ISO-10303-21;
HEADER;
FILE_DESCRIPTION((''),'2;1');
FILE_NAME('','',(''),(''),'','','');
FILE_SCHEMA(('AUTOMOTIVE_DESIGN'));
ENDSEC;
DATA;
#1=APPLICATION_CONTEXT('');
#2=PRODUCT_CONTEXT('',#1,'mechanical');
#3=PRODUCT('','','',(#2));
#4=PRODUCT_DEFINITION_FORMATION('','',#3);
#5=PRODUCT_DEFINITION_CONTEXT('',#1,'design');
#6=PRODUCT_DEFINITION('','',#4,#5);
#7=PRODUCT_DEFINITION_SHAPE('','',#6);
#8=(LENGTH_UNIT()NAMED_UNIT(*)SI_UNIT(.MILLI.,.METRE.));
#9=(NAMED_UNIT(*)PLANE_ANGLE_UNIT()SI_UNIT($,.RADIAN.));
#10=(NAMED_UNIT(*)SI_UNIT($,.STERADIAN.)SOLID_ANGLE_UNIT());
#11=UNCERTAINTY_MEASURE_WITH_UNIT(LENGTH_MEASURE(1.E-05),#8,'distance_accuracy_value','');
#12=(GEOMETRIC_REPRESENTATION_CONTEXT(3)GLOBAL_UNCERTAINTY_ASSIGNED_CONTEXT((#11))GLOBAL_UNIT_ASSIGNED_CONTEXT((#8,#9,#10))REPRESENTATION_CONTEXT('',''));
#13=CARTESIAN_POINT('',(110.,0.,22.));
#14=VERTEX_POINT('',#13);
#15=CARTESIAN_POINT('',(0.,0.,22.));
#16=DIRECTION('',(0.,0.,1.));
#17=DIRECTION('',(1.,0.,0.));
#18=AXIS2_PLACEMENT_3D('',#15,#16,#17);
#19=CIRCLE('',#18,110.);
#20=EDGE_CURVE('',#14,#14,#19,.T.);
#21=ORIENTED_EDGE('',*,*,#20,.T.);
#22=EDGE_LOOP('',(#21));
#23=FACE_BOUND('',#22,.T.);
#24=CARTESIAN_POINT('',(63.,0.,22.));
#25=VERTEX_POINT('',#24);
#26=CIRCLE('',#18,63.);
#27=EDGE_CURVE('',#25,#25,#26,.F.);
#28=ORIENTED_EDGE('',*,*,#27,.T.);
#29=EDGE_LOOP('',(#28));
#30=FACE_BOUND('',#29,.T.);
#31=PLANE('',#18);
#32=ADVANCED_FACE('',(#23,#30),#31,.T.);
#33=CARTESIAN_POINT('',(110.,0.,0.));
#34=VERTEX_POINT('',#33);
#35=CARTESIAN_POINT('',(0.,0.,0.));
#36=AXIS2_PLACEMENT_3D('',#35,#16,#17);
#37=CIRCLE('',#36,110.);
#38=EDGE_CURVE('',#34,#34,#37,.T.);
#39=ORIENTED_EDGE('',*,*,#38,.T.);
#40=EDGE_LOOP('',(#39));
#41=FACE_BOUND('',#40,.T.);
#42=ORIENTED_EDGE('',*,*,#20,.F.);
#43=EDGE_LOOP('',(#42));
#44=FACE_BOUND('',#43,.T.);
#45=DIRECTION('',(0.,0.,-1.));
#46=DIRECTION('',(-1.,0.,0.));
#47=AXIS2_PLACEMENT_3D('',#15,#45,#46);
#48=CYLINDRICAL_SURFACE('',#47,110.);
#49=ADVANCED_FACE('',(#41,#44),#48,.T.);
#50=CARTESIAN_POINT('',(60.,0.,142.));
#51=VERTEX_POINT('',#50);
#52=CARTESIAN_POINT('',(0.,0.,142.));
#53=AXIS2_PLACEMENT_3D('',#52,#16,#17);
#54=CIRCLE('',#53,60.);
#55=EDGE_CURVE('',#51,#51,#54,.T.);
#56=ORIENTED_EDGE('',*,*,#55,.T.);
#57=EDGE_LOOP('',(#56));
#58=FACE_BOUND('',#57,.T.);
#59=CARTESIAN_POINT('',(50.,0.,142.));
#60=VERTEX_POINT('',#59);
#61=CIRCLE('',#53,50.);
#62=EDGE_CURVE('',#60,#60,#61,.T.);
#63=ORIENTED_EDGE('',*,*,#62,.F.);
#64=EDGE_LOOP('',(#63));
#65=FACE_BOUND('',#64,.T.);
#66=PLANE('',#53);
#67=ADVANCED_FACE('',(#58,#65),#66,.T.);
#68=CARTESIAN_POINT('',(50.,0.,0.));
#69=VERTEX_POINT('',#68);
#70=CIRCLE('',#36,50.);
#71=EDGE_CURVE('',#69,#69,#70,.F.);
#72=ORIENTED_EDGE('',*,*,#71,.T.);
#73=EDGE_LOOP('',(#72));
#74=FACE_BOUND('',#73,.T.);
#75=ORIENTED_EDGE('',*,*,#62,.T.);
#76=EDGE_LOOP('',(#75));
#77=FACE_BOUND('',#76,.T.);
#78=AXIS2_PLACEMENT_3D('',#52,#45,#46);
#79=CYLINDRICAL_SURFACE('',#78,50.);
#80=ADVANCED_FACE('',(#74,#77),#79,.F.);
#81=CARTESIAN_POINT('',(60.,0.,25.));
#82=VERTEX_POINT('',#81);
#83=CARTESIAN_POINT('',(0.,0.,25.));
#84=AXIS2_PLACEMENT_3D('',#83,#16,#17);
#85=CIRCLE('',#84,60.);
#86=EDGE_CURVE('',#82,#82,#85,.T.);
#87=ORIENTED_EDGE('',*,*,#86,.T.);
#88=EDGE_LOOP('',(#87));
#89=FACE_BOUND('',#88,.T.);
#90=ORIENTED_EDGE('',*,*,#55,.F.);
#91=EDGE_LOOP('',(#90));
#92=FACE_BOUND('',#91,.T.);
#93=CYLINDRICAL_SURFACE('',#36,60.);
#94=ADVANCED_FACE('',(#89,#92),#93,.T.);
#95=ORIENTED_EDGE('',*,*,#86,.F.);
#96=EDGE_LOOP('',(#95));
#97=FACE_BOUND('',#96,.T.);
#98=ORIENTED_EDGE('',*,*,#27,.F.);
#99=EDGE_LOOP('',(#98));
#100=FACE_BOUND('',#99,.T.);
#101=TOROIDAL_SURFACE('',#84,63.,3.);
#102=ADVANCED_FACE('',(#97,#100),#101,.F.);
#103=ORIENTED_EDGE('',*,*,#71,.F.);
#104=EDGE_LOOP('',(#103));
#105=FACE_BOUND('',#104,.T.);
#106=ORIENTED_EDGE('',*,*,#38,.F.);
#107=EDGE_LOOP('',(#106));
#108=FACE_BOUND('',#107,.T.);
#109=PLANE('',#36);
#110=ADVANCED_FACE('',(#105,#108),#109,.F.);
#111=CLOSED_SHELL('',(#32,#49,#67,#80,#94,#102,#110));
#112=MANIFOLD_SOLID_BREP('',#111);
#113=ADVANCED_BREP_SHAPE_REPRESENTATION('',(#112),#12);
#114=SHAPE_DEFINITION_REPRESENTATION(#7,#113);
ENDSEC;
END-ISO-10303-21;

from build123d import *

# Parameters (mm, degrees)
SKETCH1_R                = 110
BOSS_EXTRUDE1_DEPTH      = 22
BOSS_EXTRUDE2_DEPTH      = 120
BOSS_EXTRUDE2_DEPTH_BACK = 22
SKETCH2_R                = 60
CUT_EXTRUDE3_DEPTH       = 211.627633515
CUT_EXTRUDE3_DEPTH_BACK  = 120
SKETCH3_R                = 50
FILLET1_R                = 3


with BuildPart() as part:
    # Sketch1 → Boss-Extrude1 (new body)
    with BuildSketch(Plane.XY):
        Circle(SKETCH1_R)
    extrude(amount=BOSS_EXTRUDE1_DEPTH)

    # Sketch2 → Boss-Extrude2 (add, two sides: drawn at the far end of the back side and taken through both)
    with BuildSketch(Plane.XY.offset(22).offset(-BOSS_EXTRUDE2_DEPTH_BACK)):
        Circle(SKETCH2_R)
    extrude(amount=BOSS_EXTRUDE2_DEPTH + BOSS_EXTRUDE2_DEPTH_BACK)

    # Sketch3 → Cut-Extrude3 (cut, two sides: drawn at the far end of the back side and taken through both)
    with BuildSketch(Plane.XY.offset(-CUT_EXTRUDE3_DEPTH_BACK)):
        Circle(SKETCH3_R)
    extrude(amount=CUT_EXTRUDE3_DEPTH + CUT_EXTRUDE3_DEPTH_BACK, mode=Mode.SUBTRACT)

    # Fillet1
    fillet1_edges = [part.edges().sort_by_distance(p)[0] for p in [
        (-60, 0, 22),
    ]]
    fillet(fillet1_edges, radius=FILLET1_R)


solid = part.part
